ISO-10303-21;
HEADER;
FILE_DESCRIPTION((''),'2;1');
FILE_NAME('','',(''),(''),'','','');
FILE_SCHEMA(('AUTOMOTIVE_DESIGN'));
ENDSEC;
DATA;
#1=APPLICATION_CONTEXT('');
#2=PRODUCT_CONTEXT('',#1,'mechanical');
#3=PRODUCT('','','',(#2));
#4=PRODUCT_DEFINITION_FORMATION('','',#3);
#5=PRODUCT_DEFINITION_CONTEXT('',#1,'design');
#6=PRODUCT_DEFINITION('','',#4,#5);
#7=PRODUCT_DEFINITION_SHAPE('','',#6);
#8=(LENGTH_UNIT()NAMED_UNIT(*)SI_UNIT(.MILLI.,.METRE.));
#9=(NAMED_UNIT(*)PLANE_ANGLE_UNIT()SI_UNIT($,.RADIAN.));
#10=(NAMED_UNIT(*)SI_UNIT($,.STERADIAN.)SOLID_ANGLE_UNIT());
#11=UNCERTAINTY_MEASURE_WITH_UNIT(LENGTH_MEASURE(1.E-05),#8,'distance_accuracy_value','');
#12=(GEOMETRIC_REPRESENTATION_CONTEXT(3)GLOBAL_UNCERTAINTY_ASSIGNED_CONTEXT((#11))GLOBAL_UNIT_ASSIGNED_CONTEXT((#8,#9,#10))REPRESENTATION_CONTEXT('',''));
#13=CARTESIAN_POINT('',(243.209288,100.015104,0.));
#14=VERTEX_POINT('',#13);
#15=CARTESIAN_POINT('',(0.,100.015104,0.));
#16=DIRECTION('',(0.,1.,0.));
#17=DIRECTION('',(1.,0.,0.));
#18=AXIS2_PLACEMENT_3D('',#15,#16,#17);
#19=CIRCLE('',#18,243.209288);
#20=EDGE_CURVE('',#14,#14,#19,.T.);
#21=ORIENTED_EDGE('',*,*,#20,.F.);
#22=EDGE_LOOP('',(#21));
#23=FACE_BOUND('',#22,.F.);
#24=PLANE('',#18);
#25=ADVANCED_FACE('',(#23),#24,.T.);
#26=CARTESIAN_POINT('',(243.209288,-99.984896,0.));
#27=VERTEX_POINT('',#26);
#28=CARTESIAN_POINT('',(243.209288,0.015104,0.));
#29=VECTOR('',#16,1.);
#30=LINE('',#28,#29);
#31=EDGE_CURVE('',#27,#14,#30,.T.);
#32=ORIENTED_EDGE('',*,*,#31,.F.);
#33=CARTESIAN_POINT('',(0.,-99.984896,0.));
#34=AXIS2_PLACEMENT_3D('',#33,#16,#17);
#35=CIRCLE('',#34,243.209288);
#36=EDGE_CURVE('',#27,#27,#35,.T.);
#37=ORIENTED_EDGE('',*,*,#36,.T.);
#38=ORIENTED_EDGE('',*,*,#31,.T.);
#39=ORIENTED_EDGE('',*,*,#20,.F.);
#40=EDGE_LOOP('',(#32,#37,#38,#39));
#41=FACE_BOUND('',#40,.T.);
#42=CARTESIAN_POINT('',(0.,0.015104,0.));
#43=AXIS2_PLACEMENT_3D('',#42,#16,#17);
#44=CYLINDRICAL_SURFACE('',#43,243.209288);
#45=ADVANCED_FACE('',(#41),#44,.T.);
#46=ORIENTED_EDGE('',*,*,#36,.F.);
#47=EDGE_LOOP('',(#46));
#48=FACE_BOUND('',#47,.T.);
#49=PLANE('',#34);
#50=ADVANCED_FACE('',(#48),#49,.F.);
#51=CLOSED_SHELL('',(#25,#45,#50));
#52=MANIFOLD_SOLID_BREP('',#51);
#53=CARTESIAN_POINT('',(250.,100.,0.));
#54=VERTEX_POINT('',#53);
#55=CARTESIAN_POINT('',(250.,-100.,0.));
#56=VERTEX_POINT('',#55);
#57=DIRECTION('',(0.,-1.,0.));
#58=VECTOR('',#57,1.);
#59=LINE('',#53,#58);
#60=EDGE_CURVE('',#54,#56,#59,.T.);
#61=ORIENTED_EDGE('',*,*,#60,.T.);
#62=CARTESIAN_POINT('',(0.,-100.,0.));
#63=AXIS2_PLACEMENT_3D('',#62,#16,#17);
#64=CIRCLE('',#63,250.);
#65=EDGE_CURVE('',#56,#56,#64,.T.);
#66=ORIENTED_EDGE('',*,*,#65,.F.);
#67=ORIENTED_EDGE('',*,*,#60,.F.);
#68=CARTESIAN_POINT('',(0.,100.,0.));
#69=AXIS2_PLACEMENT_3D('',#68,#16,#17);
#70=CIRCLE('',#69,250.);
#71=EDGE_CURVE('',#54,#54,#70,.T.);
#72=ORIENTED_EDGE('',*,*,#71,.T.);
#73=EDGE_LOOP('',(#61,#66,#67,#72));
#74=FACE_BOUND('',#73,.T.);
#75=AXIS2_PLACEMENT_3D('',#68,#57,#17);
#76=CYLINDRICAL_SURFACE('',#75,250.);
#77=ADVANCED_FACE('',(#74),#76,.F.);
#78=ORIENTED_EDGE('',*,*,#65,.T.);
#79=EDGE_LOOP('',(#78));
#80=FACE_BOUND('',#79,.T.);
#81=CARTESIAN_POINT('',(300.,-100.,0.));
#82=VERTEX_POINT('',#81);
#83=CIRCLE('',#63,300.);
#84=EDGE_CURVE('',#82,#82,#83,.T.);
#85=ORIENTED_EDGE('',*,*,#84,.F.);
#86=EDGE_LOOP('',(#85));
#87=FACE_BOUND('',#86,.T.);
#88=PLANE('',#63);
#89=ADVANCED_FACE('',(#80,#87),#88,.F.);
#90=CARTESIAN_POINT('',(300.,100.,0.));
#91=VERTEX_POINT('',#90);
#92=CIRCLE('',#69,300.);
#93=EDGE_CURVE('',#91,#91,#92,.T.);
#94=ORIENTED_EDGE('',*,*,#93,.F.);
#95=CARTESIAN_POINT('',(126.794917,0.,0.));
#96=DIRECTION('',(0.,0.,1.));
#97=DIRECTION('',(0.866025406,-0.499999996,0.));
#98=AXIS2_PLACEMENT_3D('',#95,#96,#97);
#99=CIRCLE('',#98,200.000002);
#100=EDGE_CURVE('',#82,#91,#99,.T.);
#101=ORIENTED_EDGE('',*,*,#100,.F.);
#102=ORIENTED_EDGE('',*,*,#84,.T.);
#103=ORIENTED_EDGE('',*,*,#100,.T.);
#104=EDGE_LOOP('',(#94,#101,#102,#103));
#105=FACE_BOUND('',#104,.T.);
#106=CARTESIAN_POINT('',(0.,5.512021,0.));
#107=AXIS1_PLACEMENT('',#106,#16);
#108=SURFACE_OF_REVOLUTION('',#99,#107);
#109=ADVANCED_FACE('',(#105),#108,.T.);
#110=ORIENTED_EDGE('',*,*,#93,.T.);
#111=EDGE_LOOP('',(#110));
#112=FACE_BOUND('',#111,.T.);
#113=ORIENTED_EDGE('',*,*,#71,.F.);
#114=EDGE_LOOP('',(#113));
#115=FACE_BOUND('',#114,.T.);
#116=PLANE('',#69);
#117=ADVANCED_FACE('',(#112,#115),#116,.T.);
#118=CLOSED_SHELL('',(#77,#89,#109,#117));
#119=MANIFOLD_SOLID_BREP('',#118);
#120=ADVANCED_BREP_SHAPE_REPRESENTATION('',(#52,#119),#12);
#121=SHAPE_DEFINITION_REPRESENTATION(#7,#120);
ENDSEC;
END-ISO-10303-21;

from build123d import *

# Parameters (mm, degrees)
F2_W = 243.209288
F2_H = 200


with BuildPart() as f1:
    # F0 (on Top) → F1 (revolve)
    with BuildSketch(Plane.XY):
        with BuildLine():
            Line((300, 100), (250, 100))
            Line((250, 100), (250, -100))
            Line((250, -100), (300, -100))
            ThreePointArc((300, -100), (326.794919, 0), (300, 100))
        make_face()
    revolve(axis=Axis((0, 5.512021, 0), (0, 1, 0)))


with BuildPart() as f3:
    # F2 (on Top) → F3 (revolve)
    with BuildSketch(Plane.XY):
        with Locations((121.604644, 0.015104)):
            Rectangle(F2_W, F2_H)
    revolve(axis=Axis((0, 0, 0), (0, 1, 0)))


solid = Compound([f1.part, f3.part])
